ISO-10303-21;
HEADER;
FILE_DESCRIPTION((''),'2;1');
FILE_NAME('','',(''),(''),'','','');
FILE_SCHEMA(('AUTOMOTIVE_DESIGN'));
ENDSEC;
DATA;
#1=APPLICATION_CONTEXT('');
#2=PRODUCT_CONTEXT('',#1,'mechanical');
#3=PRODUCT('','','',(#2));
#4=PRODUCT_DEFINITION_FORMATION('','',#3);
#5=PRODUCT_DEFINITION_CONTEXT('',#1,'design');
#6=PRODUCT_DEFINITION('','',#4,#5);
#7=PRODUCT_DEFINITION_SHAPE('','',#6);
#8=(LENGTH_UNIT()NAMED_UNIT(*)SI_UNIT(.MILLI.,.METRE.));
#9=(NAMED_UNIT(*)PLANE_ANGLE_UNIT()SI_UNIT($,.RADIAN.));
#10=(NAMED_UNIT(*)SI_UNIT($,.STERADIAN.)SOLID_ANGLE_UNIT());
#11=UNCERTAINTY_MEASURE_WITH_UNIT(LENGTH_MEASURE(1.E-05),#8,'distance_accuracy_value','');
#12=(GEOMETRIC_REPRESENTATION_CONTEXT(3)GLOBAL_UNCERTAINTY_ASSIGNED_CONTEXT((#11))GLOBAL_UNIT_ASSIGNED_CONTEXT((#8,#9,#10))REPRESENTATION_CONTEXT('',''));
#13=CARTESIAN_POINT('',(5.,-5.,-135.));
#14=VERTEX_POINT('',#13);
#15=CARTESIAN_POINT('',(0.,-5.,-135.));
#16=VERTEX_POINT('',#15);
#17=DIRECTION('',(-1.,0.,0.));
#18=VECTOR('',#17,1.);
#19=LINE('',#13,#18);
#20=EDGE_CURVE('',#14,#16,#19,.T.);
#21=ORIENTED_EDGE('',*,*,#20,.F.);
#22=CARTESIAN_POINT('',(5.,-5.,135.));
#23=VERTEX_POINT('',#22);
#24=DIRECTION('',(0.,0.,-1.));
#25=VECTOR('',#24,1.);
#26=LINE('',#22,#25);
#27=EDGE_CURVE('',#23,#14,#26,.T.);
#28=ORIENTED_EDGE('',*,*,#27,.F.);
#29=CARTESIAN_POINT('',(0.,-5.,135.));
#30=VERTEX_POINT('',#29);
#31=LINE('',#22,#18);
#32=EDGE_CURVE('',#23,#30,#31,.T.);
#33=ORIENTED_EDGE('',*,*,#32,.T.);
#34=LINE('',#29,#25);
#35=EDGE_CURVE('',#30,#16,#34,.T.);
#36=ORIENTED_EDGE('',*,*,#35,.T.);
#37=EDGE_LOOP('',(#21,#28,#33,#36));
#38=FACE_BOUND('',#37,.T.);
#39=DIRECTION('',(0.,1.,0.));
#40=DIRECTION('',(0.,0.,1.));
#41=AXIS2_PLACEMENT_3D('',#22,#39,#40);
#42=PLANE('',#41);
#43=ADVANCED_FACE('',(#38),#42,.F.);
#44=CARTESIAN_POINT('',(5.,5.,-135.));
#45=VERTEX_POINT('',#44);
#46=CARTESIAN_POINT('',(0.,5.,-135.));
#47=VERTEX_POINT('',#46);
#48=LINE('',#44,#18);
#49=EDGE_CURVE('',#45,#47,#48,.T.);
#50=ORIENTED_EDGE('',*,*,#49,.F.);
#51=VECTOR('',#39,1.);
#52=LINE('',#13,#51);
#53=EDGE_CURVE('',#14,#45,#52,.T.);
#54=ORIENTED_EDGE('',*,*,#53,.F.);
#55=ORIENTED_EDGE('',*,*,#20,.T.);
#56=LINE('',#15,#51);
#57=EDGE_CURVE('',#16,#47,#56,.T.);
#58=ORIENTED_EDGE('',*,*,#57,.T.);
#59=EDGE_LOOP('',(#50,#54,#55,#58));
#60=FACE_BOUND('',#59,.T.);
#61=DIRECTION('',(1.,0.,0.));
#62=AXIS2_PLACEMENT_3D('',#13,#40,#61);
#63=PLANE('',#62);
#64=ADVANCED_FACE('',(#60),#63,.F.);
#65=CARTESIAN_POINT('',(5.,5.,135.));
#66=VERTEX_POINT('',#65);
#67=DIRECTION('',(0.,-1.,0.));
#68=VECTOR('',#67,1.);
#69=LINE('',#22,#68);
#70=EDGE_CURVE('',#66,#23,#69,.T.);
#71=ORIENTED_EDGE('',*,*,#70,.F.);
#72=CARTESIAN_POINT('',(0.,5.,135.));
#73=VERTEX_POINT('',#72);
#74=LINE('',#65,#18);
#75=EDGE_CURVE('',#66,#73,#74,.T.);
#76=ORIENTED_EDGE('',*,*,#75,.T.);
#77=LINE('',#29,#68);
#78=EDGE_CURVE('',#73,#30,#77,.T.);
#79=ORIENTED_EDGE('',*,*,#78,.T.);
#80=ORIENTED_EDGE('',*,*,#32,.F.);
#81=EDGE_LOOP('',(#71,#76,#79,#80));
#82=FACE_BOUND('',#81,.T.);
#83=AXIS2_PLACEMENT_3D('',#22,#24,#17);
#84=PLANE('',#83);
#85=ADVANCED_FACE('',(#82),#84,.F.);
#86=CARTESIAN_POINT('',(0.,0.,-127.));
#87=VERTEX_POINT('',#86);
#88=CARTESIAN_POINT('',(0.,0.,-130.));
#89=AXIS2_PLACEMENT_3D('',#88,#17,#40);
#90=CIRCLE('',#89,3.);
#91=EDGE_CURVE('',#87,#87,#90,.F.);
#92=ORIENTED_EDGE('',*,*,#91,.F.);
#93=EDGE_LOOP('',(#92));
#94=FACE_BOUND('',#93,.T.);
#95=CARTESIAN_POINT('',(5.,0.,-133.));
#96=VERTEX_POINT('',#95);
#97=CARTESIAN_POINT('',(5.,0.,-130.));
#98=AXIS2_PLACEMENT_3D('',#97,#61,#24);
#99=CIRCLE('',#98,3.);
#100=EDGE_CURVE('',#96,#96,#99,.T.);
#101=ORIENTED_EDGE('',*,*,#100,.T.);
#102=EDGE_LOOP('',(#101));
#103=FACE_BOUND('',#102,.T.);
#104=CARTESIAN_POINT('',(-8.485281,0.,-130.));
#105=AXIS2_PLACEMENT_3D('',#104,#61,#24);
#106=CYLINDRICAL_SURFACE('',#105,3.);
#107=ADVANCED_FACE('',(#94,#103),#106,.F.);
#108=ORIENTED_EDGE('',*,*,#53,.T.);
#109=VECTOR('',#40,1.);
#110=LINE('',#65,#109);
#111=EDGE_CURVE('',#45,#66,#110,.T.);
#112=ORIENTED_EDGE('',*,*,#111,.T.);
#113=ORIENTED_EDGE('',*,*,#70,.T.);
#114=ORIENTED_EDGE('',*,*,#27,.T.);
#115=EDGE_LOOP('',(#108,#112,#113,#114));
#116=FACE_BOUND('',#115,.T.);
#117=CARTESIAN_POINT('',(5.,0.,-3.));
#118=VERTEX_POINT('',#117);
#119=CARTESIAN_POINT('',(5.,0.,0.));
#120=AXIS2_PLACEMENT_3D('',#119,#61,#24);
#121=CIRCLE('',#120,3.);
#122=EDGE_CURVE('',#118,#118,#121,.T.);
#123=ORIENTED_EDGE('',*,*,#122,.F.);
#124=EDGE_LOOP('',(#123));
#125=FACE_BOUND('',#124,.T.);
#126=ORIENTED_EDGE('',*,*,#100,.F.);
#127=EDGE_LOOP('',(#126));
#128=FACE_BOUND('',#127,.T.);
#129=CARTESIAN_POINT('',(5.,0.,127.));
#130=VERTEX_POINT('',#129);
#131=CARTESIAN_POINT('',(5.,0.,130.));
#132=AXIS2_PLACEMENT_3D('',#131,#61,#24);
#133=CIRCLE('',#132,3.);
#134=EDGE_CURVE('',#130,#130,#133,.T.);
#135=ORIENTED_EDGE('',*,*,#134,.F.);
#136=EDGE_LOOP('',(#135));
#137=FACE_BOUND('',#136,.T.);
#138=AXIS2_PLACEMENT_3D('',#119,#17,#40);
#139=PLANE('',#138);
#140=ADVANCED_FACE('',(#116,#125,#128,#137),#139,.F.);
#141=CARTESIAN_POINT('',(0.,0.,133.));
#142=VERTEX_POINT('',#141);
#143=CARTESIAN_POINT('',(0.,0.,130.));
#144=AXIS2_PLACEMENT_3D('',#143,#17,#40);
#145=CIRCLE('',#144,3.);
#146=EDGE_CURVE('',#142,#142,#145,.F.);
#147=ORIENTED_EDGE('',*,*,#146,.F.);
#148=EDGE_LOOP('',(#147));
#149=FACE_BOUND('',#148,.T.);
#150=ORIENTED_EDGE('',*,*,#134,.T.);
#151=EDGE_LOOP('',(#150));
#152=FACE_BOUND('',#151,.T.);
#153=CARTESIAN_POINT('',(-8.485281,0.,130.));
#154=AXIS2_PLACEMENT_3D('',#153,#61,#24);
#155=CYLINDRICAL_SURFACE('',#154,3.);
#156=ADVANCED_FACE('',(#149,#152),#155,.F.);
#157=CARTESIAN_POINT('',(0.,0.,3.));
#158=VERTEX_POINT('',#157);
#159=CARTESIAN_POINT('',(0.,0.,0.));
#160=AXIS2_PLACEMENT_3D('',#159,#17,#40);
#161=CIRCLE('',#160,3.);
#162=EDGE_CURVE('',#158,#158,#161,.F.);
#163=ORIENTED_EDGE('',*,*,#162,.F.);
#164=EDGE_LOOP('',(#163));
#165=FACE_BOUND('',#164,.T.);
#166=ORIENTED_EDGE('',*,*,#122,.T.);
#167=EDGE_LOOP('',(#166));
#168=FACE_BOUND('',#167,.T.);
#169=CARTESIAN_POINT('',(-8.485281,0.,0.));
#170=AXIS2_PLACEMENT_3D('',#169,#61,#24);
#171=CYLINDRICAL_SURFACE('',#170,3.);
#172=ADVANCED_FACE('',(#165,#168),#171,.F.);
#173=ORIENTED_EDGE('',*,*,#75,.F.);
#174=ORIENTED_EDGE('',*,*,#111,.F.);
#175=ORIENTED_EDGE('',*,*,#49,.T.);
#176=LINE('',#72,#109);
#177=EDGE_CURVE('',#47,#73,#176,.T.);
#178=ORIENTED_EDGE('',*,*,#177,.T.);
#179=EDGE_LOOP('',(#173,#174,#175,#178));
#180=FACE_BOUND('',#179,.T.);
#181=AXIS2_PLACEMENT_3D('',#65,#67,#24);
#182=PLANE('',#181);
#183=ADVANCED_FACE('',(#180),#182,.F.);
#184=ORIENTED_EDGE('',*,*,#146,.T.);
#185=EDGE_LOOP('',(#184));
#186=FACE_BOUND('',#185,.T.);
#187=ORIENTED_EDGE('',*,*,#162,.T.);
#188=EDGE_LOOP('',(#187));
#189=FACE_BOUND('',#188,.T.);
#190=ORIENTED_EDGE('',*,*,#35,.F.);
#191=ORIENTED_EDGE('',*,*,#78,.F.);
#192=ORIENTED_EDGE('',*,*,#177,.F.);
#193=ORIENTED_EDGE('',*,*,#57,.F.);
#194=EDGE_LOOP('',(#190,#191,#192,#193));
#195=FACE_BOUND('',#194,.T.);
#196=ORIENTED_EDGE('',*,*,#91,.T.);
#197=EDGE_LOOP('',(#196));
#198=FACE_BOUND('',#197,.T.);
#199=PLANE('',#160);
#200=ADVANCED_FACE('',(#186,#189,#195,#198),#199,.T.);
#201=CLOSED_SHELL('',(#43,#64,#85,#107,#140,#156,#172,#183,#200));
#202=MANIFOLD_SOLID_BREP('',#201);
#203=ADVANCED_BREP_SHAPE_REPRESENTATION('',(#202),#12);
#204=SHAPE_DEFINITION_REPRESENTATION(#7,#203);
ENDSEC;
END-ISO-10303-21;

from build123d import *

# Parameters (mm, degrees)
SKETCH1_W           = 270
SKETCH1_H           = 10
BOSS_EXTRUDE1_DEPTH = 5
SKETCH2_R           = 3
CUT_EXTRUDE1_DEPTH  = 5


with BuildPart() as part:
    # Sketch1 → Boss-Extrude1 (new body)
    with BuildSketch(Plane(origin=(0, 0, 0), x_dir=(0, 0, -1), z_dir=(1, 0, 0))):
        Rectangle(SKETCH1_W, SKETCH1_H)
    extrude(amount=BOSS_EXTRUDE1_DEPTH)

    # Sketch2 → Cut-Extrude1 (cut)
    with BuildSketch(Plane(origin=(5, 0, 0), x_dir=(0, 0, -1), z_dir=(1, 0, 0))):
        Circle(SKETCH2_R)
        with Locations((130, 0)):
            Circle(SKETCH2_R)
        with Locations((-130, 0)):
            Circle(SKETCH2_R)
    extrude(amount=-CUT_EXTRUDE1_DEPTH, mode=Mode.SUBTRACT)


solid = part.part
